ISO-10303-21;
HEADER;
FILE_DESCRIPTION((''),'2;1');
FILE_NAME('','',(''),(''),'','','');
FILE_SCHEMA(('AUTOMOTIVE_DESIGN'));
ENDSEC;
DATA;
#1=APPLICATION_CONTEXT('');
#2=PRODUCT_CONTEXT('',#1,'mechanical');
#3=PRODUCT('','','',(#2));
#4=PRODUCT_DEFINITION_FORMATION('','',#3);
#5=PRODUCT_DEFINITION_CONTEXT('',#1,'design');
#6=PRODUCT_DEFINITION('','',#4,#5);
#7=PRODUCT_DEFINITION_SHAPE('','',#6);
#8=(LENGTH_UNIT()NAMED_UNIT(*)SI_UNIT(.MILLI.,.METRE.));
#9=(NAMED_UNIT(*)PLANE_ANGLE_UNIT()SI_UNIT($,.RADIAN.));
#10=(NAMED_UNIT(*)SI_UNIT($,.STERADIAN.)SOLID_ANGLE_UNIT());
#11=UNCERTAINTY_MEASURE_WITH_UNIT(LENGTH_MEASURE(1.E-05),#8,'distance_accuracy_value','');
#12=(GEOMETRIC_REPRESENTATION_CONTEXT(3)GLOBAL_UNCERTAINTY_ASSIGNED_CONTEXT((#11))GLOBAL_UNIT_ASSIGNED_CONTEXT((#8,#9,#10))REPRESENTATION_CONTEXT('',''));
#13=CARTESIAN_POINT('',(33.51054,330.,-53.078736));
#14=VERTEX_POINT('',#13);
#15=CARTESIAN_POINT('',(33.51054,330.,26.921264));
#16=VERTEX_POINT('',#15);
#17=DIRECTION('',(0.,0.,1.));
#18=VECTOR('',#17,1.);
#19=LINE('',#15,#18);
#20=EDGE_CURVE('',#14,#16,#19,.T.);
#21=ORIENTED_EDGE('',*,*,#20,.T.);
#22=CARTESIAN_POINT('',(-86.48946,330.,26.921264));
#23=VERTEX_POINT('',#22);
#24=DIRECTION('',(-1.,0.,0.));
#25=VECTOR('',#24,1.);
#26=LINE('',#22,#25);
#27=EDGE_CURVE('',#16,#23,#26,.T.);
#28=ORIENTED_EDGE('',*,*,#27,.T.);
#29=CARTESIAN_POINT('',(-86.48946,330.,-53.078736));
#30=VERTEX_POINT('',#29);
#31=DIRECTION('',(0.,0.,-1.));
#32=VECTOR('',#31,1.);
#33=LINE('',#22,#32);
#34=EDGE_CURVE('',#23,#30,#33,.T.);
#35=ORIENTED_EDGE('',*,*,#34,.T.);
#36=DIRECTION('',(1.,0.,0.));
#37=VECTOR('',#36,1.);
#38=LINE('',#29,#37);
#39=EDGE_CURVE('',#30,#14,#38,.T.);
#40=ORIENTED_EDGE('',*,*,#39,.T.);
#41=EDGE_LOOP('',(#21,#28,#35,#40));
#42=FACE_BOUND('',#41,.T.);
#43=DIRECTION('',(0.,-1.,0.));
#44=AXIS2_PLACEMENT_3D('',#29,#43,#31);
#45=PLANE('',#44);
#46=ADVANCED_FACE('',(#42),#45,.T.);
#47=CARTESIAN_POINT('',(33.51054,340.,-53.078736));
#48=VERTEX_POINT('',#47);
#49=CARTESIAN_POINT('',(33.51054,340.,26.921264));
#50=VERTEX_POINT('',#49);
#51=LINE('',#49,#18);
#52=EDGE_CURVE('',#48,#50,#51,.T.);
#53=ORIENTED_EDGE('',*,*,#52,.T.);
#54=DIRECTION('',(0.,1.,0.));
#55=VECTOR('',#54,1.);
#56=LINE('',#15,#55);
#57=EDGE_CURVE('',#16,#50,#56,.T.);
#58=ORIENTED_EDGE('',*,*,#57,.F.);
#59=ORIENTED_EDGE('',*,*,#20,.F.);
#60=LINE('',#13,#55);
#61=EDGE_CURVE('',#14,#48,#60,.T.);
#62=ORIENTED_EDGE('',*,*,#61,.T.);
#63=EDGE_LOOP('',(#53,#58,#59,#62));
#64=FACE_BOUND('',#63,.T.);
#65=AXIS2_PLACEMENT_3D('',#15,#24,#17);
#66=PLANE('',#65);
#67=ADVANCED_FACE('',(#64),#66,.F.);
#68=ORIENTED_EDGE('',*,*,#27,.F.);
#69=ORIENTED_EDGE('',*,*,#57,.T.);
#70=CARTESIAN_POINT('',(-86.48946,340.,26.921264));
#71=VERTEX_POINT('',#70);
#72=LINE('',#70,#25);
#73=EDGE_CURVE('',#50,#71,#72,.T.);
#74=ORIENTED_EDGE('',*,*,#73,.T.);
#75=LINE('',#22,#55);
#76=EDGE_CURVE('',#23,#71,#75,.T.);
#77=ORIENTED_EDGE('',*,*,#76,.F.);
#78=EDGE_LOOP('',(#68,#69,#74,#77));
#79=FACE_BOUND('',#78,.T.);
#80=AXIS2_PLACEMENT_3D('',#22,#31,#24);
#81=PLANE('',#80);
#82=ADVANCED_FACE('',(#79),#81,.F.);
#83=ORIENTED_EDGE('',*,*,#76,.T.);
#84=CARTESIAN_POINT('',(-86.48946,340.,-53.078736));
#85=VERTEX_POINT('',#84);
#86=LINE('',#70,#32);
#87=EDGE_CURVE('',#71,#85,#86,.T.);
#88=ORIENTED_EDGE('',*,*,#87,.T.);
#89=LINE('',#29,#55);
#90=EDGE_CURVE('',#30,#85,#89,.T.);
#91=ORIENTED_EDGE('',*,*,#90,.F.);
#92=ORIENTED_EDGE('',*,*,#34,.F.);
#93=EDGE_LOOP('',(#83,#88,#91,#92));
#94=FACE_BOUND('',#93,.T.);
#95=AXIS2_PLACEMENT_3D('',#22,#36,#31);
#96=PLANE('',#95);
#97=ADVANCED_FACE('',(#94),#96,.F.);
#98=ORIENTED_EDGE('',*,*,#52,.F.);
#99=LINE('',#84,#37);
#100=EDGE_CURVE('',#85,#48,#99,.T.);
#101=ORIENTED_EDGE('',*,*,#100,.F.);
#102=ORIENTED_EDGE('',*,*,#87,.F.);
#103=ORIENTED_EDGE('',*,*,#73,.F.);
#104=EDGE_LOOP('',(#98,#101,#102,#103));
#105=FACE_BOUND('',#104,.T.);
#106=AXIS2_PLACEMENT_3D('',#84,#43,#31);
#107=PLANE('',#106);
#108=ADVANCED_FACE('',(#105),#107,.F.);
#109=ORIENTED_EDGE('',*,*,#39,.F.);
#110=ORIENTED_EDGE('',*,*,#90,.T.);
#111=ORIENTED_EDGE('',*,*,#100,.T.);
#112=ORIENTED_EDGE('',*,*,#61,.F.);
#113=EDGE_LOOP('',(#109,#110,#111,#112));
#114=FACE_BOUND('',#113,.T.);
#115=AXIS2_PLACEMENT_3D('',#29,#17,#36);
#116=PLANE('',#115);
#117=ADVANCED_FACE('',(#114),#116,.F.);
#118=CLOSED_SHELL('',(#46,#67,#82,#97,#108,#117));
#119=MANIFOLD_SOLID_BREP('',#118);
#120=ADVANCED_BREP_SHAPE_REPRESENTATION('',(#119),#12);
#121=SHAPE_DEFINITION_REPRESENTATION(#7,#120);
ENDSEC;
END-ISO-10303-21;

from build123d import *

# Parameters (mm, degrees)
SKETCH1_W           = 120
SKETCH1_H           = 80
BOSS_EXTRUDE1_DEPTH = 10


with BuildPart() as part:
    # Sketch1 → Boss-Extrude1 (new body)
    with BuildSketch(Plane.XZ.offset(-340)):
        with Locations((-26.489460092, -13.07873573)):
            Rectangle(SKETCH1_W, SKETCH1_H)
    extrude(amount=BOSS_EXTRUDE1_DEPTH)


solid = part.part
